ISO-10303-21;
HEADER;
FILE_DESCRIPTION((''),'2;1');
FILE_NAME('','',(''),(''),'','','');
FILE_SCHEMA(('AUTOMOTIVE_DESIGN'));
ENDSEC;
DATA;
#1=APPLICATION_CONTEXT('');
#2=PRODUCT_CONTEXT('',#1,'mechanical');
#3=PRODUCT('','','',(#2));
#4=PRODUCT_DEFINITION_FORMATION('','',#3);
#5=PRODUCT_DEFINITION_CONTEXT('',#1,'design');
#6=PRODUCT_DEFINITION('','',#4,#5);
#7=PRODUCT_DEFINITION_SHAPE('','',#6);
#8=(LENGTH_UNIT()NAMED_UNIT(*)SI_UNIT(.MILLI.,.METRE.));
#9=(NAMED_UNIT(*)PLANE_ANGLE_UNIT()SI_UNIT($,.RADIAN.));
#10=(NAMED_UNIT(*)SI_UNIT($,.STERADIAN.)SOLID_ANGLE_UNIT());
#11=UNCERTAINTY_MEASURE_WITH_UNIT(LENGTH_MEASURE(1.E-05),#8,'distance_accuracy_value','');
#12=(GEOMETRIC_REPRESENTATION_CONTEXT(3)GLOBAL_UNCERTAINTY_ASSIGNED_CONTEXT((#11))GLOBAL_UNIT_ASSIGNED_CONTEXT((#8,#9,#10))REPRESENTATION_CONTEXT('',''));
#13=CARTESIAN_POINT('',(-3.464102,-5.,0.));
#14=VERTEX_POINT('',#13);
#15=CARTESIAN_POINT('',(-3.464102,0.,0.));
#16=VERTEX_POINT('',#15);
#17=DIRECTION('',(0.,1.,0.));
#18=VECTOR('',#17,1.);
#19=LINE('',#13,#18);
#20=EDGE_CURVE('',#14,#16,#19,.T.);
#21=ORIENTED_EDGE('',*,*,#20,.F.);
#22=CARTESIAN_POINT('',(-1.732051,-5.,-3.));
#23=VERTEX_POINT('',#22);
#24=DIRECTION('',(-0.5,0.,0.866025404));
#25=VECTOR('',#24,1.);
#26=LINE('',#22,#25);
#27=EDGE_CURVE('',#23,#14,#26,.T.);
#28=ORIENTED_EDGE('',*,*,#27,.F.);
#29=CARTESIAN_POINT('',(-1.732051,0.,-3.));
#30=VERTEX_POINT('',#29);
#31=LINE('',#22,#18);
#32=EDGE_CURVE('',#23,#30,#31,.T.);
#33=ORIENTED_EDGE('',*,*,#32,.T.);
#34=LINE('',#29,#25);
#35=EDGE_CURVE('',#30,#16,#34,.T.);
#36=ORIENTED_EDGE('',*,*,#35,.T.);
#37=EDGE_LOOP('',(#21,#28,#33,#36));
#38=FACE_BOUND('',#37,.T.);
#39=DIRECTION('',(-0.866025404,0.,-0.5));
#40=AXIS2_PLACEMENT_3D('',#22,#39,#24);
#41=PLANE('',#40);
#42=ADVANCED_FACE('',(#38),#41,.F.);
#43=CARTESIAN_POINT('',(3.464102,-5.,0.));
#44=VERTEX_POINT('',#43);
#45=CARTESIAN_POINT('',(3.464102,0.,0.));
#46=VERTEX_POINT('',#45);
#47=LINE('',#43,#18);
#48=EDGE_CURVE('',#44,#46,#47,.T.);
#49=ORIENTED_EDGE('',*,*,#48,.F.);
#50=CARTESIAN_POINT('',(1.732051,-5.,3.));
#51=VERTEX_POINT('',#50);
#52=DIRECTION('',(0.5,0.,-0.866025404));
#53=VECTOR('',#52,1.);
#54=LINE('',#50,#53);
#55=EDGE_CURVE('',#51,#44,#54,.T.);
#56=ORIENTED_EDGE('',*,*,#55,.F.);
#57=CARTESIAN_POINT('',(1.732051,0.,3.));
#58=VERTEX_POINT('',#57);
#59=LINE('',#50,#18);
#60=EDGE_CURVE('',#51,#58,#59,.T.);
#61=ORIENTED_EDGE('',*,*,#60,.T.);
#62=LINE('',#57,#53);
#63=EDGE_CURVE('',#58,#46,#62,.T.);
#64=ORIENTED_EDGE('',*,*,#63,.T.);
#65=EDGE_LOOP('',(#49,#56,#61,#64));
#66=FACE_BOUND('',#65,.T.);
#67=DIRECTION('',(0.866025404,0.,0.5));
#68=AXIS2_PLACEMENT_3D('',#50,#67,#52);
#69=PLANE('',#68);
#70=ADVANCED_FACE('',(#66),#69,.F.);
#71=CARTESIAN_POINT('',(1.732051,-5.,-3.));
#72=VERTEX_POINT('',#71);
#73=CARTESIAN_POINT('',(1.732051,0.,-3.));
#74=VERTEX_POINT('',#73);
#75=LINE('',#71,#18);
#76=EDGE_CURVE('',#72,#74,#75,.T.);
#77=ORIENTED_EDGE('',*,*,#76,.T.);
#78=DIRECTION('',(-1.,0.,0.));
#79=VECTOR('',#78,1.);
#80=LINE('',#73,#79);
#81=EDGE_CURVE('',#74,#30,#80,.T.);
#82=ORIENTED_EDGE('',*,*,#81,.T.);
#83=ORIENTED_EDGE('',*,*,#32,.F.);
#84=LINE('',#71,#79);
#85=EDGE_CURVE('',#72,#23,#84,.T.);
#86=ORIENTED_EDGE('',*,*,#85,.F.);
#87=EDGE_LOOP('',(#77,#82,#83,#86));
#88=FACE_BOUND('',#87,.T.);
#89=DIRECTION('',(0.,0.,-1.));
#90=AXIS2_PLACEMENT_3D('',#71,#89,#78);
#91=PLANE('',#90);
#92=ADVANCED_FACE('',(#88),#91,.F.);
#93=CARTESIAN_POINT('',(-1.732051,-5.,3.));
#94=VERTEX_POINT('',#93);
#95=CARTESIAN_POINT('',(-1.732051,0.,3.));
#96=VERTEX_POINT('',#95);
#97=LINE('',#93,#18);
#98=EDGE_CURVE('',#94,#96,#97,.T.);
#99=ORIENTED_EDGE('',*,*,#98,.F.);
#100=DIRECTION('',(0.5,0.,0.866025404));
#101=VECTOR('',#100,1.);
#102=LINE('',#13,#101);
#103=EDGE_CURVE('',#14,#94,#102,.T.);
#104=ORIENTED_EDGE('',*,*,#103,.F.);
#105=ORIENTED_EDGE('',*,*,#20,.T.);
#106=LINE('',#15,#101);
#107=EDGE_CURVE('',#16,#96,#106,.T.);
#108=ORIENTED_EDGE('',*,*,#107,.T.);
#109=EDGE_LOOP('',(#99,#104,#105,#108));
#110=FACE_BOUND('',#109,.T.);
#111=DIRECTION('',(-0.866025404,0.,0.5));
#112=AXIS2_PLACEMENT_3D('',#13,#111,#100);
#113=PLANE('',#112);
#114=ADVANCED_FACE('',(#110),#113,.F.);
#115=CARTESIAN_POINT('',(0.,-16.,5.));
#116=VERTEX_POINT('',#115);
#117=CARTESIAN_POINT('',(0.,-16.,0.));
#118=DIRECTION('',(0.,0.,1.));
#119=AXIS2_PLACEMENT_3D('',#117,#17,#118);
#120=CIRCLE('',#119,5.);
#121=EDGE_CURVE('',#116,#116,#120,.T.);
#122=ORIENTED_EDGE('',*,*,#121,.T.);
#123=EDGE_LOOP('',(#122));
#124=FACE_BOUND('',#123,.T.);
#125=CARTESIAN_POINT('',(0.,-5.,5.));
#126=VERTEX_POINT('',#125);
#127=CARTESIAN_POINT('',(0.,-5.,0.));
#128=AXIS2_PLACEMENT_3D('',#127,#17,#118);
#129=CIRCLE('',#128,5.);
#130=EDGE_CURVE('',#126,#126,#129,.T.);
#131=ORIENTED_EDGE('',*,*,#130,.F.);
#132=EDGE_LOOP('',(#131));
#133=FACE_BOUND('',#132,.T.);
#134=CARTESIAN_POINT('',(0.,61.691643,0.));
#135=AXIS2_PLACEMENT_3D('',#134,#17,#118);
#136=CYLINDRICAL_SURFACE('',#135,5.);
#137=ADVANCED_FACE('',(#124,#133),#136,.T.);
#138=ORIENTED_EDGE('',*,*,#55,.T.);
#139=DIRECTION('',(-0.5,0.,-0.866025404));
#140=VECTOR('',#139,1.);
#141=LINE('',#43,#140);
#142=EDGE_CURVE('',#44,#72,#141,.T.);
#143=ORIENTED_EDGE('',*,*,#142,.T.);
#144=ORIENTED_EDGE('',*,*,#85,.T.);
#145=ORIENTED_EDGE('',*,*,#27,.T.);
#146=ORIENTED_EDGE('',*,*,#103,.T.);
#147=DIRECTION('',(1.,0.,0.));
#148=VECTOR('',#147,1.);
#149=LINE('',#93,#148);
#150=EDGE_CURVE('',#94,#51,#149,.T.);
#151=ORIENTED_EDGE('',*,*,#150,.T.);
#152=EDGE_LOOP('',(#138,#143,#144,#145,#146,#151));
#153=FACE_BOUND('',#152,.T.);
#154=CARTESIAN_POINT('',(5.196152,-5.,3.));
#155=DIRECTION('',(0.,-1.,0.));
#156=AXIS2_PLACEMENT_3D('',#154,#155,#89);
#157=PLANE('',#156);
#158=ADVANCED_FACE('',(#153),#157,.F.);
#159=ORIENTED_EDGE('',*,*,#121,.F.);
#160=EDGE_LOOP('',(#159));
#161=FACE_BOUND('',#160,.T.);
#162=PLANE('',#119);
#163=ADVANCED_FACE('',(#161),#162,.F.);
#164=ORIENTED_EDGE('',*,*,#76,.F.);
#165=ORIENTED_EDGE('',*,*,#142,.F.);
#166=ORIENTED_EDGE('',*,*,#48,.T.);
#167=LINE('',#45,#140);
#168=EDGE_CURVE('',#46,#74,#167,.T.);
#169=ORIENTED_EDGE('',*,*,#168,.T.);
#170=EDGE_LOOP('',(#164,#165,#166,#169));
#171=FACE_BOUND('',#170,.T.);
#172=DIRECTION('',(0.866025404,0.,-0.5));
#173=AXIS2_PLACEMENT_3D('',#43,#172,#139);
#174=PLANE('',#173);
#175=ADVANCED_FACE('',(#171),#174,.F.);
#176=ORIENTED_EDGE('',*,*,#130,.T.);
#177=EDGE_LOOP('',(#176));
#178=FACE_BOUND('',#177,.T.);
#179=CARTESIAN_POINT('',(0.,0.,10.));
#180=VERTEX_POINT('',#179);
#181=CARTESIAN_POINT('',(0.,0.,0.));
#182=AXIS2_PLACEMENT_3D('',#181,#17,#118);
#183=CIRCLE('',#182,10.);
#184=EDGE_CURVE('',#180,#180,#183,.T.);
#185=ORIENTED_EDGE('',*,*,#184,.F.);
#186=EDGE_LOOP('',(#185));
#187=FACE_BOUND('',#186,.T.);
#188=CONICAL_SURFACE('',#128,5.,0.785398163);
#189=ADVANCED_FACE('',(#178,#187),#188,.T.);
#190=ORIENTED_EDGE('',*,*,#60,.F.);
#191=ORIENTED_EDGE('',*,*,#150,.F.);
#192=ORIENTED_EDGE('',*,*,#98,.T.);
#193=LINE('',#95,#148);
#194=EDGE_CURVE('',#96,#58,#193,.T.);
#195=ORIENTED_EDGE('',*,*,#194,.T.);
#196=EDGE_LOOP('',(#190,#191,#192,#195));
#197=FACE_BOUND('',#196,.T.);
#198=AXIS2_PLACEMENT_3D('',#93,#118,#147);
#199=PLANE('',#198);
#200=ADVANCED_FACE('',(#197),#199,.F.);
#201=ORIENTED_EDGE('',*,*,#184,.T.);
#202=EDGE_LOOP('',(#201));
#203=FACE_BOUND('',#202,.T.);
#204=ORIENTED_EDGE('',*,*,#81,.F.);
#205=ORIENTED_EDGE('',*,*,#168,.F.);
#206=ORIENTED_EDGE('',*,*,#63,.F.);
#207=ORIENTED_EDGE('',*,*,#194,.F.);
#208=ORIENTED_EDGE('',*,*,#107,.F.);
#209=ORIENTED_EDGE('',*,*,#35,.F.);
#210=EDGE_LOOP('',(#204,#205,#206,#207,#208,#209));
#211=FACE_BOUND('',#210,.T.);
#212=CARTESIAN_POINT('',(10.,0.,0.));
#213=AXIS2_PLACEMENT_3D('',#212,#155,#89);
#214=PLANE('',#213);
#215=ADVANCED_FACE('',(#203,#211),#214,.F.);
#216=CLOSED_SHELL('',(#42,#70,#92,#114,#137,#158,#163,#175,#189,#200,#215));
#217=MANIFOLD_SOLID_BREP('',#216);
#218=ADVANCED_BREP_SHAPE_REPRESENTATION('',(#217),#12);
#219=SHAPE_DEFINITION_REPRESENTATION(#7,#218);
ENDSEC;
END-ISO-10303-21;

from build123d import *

# Parameters (mm, degrees)
CUT_EXTRUDE1_DEPTH = 5


with BuildPart() as part:
    # Sketch1 → Revolve1 (revolve)
    with BuildSketch(Plane.XY, mode=Mode.PRIVATE) as revolve1_sk:
        Polygon((0, -16), (5, -16), (5, -5), (10, 0), (0, 0), align=None)
    revolve(revolve1_sk.sketch.rotate(Axis((0, 61.691642626, 0), (0, -1, 0)), 90), axis=Axis((0, 61.691642626, 0), (0, -1, 0)))

    # Sketch2 → Cut-Extrude1 (cut)
    with BuildSketch(Plane(origin=(0, 0, 0), x_dir=(-1, 0, 0), z_dir=(0, 1, 0))):
        Polygon((-1.732050808, -3), (1.732050808, -3), (3.464101615, 0), (1.732050808, 3), (-1.732050808, 3), (-3.464101615, 0), align=None)
    extrude(amount=-CUT_EXTRUDE1_DEPTH, mode=Mode.SUBTRACT)


solid = part.part
